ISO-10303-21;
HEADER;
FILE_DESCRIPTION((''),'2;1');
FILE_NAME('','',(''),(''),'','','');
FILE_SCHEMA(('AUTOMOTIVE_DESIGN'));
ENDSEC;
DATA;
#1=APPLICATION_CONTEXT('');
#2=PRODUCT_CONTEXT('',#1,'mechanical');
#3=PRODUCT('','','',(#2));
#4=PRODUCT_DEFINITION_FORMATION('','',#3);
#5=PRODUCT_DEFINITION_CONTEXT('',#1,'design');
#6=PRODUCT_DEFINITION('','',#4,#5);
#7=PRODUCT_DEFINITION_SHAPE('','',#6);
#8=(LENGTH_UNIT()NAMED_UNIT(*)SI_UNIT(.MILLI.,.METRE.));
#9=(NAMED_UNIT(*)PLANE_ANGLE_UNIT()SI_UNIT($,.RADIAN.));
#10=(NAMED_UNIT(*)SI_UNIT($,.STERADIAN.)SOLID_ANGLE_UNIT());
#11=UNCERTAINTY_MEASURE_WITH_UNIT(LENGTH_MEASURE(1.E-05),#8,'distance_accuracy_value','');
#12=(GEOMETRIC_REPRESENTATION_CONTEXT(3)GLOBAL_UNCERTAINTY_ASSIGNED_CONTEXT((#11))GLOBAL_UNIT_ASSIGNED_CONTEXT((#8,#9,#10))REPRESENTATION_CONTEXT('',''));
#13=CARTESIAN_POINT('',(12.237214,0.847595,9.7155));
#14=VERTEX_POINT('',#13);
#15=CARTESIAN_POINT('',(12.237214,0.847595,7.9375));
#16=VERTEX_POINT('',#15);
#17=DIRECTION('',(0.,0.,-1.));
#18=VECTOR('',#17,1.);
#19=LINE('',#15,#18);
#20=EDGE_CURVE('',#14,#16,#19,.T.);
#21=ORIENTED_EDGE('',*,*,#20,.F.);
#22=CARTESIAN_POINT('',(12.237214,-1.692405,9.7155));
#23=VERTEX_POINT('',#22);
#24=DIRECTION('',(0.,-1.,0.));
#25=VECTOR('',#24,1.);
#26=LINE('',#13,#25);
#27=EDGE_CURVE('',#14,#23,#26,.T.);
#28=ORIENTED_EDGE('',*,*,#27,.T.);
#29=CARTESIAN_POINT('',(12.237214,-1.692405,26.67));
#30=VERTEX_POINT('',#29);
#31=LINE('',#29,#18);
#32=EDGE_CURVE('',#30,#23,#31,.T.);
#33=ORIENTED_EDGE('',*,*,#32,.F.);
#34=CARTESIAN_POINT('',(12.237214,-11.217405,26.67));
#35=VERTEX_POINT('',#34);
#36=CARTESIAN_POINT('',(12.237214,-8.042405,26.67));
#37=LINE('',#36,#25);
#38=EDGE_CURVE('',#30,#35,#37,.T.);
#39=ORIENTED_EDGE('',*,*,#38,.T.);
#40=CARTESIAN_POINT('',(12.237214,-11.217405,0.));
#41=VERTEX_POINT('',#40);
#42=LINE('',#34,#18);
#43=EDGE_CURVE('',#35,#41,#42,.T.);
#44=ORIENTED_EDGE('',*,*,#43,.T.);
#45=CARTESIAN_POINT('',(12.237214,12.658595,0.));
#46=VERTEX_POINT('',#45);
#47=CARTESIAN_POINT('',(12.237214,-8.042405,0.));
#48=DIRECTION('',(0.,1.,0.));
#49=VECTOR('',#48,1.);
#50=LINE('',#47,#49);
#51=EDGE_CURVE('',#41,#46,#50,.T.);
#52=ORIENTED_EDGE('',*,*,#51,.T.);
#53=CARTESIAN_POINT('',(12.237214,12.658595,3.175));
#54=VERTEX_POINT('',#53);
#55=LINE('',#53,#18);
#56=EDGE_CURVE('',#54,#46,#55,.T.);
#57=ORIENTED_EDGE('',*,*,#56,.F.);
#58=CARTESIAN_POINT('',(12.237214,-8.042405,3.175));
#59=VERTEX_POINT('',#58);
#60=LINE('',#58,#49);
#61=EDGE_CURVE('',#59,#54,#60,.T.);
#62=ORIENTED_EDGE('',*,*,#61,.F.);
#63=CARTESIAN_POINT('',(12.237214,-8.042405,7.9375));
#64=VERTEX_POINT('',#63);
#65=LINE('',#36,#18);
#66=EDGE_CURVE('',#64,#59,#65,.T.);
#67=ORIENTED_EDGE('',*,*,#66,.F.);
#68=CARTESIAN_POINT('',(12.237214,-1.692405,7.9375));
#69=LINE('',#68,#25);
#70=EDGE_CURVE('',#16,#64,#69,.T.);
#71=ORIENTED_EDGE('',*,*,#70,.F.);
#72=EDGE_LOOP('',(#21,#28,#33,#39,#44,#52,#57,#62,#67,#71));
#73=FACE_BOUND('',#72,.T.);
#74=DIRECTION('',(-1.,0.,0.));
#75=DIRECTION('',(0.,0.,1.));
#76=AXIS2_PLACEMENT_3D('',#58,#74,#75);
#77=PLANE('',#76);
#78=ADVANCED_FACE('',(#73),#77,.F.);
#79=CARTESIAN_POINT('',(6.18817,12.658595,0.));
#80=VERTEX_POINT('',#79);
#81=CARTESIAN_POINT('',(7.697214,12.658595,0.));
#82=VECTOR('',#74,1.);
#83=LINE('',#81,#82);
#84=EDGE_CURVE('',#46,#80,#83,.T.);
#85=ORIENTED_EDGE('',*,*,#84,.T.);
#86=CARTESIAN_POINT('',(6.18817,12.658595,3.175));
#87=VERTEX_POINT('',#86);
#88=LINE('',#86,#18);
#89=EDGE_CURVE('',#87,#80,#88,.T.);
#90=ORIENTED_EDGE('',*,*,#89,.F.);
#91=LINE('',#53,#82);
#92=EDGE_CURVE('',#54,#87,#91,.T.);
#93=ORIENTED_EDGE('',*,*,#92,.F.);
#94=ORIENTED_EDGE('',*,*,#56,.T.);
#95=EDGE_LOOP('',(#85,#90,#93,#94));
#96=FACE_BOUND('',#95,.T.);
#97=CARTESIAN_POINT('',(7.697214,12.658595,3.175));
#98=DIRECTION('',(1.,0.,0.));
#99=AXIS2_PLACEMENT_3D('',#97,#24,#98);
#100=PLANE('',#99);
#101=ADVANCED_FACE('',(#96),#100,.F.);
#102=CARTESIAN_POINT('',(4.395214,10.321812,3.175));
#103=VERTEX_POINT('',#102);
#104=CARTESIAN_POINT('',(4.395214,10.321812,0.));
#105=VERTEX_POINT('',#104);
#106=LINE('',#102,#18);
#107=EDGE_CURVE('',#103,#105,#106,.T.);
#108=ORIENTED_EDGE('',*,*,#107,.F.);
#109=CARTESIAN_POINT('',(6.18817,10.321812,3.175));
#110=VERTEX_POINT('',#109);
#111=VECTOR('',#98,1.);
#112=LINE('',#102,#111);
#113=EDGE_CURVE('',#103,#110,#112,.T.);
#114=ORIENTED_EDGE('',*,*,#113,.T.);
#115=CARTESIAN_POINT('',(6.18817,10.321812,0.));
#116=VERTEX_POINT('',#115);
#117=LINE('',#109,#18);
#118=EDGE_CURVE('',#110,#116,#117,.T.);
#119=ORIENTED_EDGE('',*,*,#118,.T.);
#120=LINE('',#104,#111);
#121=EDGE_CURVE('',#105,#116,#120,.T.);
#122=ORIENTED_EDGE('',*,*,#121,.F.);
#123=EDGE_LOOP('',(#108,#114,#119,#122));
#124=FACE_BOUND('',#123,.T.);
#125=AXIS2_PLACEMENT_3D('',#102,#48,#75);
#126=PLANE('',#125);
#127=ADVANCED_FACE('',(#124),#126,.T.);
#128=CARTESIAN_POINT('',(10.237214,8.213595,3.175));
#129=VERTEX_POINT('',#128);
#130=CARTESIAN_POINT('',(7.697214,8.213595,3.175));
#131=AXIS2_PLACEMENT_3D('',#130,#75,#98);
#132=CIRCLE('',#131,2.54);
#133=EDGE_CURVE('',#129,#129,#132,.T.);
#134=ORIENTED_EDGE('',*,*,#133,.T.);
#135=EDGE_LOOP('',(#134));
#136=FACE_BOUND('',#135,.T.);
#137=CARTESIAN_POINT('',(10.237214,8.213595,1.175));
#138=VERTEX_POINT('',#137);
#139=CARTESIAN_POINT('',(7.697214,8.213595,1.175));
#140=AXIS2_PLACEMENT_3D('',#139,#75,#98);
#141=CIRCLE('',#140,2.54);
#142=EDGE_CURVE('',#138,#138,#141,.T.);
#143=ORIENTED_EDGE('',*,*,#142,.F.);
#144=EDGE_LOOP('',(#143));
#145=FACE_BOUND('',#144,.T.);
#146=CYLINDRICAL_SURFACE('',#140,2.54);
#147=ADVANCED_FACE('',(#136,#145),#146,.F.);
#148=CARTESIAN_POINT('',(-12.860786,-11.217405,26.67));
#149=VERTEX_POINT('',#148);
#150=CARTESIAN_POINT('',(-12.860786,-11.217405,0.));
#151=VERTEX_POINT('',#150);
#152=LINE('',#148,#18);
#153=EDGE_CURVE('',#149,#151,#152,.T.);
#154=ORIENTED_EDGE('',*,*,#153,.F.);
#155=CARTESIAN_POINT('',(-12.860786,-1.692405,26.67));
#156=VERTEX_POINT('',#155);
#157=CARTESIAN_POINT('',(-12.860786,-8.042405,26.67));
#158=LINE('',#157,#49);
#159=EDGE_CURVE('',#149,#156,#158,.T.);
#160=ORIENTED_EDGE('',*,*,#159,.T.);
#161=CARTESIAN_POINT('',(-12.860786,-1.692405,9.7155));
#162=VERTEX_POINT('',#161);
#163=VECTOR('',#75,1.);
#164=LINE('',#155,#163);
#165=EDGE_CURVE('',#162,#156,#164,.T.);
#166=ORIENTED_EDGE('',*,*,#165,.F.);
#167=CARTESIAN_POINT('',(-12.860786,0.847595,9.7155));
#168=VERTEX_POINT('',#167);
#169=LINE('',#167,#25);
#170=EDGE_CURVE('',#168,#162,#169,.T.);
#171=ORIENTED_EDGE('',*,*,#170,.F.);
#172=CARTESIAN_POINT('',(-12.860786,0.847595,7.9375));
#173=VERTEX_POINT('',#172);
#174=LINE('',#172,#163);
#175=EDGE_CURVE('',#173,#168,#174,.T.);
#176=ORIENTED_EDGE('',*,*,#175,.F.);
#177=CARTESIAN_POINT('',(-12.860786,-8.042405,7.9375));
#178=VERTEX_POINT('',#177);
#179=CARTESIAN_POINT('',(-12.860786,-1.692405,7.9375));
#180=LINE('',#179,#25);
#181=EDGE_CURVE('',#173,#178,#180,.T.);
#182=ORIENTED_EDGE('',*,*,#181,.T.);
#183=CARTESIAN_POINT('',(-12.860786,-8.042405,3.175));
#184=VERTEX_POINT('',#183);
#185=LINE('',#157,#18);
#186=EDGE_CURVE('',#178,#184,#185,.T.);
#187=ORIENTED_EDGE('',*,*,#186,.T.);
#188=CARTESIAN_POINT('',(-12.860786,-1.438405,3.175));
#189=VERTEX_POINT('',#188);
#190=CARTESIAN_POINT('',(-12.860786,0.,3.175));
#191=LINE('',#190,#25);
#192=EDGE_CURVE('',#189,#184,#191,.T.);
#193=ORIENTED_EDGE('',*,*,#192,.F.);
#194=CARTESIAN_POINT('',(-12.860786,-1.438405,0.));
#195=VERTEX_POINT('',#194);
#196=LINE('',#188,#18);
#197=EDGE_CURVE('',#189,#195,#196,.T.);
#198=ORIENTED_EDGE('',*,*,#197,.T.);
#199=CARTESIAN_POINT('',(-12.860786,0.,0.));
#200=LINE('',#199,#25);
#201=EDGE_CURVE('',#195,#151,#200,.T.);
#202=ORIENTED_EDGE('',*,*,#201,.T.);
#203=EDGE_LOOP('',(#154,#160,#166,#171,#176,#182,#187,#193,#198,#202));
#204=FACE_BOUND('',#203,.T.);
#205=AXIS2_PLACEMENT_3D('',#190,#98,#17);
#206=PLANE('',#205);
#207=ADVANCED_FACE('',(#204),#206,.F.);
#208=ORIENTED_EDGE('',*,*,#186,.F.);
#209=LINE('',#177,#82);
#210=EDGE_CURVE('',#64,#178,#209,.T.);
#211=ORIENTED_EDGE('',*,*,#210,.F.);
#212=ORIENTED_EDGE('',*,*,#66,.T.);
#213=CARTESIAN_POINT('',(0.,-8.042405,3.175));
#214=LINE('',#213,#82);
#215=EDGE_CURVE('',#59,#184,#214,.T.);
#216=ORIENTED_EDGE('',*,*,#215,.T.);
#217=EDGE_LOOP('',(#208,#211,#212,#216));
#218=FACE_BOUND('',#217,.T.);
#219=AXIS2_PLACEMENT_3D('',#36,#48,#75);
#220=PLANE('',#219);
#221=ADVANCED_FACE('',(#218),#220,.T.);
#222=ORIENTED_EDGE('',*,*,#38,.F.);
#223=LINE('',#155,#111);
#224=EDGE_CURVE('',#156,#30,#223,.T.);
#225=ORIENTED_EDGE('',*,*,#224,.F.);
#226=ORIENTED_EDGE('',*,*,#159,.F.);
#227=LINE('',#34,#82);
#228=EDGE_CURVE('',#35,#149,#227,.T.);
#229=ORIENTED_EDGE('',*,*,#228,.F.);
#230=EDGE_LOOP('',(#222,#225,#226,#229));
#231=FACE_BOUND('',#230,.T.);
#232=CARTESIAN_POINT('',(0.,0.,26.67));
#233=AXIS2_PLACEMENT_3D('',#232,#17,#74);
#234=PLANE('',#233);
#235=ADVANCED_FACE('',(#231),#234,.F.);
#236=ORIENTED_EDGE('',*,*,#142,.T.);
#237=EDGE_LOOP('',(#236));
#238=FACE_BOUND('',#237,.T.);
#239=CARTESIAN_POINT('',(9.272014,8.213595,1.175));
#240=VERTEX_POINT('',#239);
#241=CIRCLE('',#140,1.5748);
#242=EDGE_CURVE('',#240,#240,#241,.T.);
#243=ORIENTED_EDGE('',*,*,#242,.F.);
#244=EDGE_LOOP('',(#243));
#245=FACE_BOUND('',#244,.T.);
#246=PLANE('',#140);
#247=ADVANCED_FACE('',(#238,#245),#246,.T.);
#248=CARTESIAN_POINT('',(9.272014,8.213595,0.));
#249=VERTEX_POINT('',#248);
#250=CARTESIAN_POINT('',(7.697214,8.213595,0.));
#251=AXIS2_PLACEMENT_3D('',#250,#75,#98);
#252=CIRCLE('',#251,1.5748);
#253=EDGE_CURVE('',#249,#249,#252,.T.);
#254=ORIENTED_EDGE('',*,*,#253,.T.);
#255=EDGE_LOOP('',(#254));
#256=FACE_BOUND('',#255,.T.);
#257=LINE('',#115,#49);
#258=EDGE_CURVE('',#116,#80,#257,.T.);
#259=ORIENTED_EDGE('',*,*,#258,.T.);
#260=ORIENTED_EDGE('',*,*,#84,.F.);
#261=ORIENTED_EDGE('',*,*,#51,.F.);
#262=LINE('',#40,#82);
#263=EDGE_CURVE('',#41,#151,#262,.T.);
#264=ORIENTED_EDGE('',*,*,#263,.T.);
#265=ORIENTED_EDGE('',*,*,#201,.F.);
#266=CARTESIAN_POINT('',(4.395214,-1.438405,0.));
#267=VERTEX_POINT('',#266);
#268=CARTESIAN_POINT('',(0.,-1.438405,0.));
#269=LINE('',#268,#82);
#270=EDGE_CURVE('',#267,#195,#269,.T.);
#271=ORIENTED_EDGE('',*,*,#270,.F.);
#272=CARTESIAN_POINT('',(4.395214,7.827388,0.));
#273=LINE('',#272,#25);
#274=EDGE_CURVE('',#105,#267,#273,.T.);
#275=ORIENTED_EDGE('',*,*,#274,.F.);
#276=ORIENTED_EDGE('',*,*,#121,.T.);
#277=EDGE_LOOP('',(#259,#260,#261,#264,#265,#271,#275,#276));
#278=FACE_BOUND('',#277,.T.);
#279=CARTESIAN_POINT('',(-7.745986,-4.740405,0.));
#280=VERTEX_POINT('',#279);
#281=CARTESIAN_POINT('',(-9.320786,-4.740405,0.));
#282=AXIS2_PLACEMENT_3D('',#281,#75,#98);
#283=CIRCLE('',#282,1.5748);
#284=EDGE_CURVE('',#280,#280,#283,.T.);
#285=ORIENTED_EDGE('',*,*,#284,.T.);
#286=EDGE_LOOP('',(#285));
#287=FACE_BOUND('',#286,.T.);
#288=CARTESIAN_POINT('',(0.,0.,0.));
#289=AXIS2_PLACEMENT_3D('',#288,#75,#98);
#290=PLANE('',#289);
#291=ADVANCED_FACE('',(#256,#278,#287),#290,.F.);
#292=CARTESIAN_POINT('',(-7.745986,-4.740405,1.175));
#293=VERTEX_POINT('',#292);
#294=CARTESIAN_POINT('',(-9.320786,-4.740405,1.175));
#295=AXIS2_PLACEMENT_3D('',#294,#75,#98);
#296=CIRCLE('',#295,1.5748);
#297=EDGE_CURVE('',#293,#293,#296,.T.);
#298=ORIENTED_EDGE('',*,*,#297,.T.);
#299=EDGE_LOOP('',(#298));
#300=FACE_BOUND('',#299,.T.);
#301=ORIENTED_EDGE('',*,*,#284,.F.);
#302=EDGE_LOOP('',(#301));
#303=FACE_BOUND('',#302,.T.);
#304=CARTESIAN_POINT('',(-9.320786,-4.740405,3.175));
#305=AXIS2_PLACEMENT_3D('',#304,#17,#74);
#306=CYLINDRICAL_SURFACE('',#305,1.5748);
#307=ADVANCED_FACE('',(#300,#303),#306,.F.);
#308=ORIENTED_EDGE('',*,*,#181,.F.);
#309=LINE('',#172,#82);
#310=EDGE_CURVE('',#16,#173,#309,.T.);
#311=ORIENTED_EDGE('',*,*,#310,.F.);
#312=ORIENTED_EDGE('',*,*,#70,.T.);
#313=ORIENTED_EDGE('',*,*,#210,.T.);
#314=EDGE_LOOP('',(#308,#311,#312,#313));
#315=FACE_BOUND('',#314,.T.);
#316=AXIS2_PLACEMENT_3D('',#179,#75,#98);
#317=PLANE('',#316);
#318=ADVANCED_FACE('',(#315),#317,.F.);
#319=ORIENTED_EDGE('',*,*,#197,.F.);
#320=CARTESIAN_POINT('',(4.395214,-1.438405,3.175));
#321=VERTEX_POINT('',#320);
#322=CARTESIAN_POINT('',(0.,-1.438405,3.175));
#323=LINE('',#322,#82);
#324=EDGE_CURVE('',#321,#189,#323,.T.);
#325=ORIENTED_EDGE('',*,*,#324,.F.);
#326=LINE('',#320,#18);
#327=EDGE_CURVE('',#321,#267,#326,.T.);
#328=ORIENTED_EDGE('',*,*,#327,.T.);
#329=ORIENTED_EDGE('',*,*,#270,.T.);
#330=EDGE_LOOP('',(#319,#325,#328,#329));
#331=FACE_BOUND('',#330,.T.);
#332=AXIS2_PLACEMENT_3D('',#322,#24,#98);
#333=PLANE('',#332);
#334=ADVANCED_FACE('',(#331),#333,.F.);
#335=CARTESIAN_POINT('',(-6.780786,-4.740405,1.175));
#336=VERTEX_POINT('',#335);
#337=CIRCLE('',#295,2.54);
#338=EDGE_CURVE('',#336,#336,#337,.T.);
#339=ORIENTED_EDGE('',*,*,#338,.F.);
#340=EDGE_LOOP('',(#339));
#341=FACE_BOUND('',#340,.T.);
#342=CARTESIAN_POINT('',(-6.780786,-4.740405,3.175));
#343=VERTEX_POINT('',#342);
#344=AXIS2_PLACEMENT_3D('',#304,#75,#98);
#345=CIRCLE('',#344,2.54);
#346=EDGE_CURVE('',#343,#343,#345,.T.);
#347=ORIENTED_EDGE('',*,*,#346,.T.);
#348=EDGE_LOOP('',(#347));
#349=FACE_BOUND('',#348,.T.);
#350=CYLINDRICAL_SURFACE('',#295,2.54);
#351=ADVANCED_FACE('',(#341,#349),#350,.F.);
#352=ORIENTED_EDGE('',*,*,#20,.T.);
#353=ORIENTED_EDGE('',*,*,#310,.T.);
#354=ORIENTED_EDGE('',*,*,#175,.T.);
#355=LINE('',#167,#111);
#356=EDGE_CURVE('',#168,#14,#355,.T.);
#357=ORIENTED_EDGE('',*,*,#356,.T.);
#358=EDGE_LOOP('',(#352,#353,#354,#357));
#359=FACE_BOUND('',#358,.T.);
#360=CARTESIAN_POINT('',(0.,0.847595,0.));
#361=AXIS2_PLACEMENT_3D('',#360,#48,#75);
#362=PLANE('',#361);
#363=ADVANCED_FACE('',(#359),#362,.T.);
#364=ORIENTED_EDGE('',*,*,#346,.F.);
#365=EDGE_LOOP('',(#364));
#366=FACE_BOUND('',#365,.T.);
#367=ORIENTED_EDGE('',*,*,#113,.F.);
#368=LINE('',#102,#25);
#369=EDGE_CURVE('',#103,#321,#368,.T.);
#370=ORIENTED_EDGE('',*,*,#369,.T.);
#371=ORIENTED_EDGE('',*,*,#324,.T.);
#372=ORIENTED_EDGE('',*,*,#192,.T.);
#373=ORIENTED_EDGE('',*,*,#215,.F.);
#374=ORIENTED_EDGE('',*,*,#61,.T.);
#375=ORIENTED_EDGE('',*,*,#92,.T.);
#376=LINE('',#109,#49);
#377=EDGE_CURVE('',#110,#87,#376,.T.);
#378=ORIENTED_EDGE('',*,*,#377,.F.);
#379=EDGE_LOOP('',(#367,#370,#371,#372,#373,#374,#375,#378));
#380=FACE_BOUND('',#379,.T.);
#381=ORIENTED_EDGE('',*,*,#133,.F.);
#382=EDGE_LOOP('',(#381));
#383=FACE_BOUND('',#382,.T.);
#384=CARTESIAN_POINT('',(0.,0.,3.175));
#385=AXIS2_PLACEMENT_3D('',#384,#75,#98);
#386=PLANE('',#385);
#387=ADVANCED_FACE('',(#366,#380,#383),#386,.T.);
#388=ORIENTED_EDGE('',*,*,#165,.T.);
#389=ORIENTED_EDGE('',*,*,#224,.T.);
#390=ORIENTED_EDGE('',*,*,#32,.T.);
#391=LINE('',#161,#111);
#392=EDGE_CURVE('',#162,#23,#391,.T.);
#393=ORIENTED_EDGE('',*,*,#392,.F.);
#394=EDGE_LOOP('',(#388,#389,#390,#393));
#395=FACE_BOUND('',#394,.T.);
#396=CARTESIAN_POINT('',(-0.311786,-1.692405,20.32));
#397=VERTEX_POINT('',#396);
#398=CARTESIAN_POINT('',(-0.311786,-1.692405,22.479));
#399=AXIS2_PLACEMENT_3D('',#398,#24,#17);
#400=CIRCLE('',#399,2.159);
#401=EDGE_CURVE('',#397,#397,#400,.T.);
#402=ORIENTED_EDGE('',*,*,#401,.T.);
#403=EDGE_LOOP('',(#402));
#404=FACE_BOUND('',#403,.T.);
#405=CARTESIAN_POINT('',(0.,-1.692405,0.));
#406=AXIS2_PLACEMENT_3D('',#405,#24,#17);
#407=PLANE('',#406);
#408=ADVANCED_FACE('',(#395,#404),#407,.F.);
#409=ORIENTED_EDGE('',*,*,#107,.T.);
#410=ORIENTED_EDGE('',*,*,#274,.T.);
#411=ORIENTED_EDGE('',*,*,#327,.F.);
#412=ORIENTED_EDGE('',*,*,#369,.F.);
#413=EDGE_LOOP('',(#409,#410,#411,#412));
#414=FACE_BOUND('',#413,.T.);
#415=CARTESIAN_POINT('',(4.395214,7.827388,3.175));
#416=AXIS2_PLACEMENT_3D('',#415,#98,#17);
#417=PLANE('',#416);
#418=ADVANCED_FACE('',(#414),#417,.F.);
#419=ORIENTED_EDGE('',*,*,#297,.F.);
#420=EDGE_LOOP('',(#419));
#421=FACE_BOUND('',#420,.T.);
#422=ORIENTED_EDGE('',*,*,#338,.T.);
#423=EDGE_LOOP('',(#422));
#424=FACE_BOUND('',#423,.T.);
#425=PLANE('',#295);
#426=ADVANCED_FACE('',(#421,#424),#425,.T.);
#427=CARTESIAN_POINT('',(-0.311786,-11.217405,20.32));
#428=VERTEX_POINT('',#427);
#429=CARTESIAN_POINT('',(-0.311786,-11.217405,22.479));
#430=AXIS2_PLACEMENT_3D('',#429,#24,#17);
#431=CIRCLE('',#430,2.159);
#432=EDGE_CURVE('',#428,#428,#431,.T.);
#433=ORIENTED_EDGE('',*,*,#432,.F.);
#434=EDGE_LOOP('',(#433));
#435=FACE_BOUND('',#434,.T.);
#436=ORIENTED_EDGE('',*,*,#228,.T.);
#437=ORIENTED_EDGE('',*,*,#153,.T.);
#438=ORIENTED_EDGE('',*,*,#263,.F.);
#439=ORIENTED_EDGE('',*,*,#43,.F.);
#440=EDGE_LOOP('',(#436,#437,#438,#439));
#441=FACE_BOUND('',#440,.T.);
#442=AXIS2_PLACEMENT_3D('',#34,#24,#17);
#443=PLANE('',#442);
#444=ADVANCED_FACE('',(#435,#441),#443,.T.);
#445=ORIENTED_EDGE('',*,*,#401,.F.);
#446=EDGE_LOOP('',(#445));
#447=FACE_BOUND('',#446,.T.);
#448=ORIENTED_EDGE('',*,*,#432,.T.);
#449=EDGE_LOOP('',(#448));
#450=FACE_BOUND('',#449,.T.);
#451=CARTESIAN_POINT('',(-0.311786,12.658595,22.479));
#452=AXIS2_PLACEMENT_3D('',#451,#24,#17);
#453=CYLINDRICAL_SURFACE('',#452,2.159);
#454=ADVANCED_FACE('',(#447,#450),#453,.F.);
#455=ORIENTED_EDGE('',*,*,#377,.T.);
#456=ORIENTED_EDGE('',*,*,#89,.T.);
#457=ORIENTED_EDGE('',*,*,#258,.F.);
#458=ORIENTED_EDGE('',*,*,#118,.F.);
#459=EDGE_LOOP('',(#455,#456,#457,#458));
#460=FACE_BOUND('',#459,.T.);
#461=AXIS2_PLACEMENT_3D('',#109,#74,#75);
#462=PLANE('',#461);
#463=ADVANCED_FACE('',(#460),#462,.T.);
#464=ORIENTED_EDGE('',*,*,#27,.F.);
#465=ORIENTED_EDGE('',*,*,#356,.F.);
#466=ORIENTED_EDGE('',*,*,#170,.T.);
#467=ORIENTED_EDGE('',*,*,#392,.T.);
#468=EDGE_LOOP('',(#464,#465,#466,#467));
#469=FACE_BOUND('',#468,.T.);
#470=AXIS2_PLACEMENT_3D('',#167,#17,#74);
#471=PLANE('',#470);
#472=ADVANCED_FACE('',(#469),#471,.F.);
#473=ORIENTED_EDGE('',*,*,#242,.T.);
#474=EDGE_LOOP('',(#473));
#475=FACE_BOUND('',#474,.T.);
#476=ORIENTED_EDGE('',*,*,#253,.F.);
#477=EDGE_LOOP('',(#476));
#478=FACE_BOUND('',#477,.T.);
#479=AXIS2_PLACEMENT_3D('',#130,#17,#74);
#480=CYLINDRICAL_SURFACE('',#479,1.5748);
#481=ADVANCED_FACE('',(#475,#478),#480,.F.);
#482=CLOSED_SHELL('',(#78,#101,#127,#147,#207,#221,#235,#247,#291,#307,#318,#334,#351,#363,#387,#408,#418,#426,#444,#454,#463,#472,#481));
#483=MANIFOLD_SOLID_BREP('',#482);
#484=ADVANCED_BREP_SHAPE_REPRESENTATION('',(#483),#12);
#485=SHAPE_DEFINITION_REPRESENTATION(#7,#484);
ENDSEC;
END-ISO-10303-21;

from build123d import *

# Parameters (mm, degrees)
SKETCH2_R           = 1.5748
SKETCH2_W           = 1
SKETCH2_H           = 6.604
BOSS_EXTRUDE1_DEPTH = 3.175
SKETCH3_W           = 25.098
SKETCH3_H           = 3.175
BOSS_EXTRUDE3_DEPTH = 26.67
SKETCH5_R           = 2.54
CUT_EXTRUDE2_DEPTH  = 2
SKETCH6_W           = 25.098
SKETCH6_H           = 18.7325
BOSS_EXTRUDE4_DEPTH = 6.35
SKETCH4_R           = 2.159
CUT_EXTRUDE3_DEPTH  = 39.036194564
SKETCH7_W           = 25.098
SKETCH7_H           = 1.778
BOSS_EXTRUDE5_DEPTH = 2.54


with BuildPart() as part:
    # Sketch2 → Boss-Extrude1 (new body)
    # profile 1 of 2: a face of its own
    with BuildSketch(Plane.XY):
        Polygon((4.395213829, 10.321811953), (4.395213829, 7.827388121), (4.395213829, -1.438404904), (-11.860786171, -1.438404904), (-11.860786171, -8.042404904), (12.237213829, -8.042404904), (12.237213829, 12.658595096), (7.697213829, 12.658595096), (6.188170382, 12.658595096), (6.188170382, 10.321811953), align=None)
        with Locations((-9.320786171, -4.740404904)):
            Circle(SKETCH2_R, mode=Mode.SUBTRACT)
        with Locations((7.697213829, 8.213595096)):
            Circle(SKETCH2_R, mode=Mode.SUBTRACT)
    # profile 2 of 2: a face of its own
    with BuildSketch(Plane.XY):
        with Locations((-12.360786171, -4.740404904)):
            Rectangle(SKETCH2_W, SKETCH2_H)
    extrude(amount=BOSS_EXTRUDE1_DEPTH)

    # Sketch3 → Boss-Extrude3 (add)
    with BuildSketch(Plane(origin=(0, 0, 0), x_dir=(-1, 0, 0), z_dir=(0, 0, -1))):
        with Locations((0.311786171, -9.629904904)):
            Rectangle(SKETCH3_W, SKETCH3_H)
    extrude(amount=-BOSS_EXTRUDE3_DEPTH)

    # Sketch5 → Cut-Extrude2 (cut)
    with BuildSketch(Plane.XY.offset(3.175)):
        with Locations((7.697213829, 8.213595096)):
            Circle(SKETCH5_R)
        with Locations((-9.320786171, -4.740404904)):
            Circle(SKETCH5_R)
    extrude(amount=-CUT_EXTRUDE2_DEPTH, mode=Mode.SUBTRACT)

    # Sketch6 → Boss-Extrude4 (add)
    with BuildSketch(Plane(origin=(0, -8.042404904, 0), x_dir=(1, 0, 0), z_dir=(0, 1, 0))):
        with Locations((-0.311786171, -17.30375)):
            Rectangle(SKETCH6_W, SKETCH6_H)
    extrude(amount=BOSS_EXTRUDE4_DEPTH)

    # Sketch4 → Cut-Extrude3 (cut, through all)
    with BuildSketch(Plane.XZ.offset(11.217404904)):
        with Locations(Location((-0.311786171, 22.479, 0), (0, 0, 270))):
            Circle(SKETCH4_R)
    extrude(amount=-CUT_EXTRUDE3_DEPTH, mode=Mode.SUBTRACT)

    # Sketch7 → Boss-Extrude5 (add)
    with BuildSketch(Plane(origin=(0, -1.692404904, 0), x_dir=(1, 0, 0), z_dir=(0, 1, 0))):
        with Locations((-0.311786171, -8.8265)):
            Rectangle(SKETCH7_W, SKETCH7_H)
    extrude(amount=BOSS_EXTRUDE5_DEPTH)


solid = part.part
